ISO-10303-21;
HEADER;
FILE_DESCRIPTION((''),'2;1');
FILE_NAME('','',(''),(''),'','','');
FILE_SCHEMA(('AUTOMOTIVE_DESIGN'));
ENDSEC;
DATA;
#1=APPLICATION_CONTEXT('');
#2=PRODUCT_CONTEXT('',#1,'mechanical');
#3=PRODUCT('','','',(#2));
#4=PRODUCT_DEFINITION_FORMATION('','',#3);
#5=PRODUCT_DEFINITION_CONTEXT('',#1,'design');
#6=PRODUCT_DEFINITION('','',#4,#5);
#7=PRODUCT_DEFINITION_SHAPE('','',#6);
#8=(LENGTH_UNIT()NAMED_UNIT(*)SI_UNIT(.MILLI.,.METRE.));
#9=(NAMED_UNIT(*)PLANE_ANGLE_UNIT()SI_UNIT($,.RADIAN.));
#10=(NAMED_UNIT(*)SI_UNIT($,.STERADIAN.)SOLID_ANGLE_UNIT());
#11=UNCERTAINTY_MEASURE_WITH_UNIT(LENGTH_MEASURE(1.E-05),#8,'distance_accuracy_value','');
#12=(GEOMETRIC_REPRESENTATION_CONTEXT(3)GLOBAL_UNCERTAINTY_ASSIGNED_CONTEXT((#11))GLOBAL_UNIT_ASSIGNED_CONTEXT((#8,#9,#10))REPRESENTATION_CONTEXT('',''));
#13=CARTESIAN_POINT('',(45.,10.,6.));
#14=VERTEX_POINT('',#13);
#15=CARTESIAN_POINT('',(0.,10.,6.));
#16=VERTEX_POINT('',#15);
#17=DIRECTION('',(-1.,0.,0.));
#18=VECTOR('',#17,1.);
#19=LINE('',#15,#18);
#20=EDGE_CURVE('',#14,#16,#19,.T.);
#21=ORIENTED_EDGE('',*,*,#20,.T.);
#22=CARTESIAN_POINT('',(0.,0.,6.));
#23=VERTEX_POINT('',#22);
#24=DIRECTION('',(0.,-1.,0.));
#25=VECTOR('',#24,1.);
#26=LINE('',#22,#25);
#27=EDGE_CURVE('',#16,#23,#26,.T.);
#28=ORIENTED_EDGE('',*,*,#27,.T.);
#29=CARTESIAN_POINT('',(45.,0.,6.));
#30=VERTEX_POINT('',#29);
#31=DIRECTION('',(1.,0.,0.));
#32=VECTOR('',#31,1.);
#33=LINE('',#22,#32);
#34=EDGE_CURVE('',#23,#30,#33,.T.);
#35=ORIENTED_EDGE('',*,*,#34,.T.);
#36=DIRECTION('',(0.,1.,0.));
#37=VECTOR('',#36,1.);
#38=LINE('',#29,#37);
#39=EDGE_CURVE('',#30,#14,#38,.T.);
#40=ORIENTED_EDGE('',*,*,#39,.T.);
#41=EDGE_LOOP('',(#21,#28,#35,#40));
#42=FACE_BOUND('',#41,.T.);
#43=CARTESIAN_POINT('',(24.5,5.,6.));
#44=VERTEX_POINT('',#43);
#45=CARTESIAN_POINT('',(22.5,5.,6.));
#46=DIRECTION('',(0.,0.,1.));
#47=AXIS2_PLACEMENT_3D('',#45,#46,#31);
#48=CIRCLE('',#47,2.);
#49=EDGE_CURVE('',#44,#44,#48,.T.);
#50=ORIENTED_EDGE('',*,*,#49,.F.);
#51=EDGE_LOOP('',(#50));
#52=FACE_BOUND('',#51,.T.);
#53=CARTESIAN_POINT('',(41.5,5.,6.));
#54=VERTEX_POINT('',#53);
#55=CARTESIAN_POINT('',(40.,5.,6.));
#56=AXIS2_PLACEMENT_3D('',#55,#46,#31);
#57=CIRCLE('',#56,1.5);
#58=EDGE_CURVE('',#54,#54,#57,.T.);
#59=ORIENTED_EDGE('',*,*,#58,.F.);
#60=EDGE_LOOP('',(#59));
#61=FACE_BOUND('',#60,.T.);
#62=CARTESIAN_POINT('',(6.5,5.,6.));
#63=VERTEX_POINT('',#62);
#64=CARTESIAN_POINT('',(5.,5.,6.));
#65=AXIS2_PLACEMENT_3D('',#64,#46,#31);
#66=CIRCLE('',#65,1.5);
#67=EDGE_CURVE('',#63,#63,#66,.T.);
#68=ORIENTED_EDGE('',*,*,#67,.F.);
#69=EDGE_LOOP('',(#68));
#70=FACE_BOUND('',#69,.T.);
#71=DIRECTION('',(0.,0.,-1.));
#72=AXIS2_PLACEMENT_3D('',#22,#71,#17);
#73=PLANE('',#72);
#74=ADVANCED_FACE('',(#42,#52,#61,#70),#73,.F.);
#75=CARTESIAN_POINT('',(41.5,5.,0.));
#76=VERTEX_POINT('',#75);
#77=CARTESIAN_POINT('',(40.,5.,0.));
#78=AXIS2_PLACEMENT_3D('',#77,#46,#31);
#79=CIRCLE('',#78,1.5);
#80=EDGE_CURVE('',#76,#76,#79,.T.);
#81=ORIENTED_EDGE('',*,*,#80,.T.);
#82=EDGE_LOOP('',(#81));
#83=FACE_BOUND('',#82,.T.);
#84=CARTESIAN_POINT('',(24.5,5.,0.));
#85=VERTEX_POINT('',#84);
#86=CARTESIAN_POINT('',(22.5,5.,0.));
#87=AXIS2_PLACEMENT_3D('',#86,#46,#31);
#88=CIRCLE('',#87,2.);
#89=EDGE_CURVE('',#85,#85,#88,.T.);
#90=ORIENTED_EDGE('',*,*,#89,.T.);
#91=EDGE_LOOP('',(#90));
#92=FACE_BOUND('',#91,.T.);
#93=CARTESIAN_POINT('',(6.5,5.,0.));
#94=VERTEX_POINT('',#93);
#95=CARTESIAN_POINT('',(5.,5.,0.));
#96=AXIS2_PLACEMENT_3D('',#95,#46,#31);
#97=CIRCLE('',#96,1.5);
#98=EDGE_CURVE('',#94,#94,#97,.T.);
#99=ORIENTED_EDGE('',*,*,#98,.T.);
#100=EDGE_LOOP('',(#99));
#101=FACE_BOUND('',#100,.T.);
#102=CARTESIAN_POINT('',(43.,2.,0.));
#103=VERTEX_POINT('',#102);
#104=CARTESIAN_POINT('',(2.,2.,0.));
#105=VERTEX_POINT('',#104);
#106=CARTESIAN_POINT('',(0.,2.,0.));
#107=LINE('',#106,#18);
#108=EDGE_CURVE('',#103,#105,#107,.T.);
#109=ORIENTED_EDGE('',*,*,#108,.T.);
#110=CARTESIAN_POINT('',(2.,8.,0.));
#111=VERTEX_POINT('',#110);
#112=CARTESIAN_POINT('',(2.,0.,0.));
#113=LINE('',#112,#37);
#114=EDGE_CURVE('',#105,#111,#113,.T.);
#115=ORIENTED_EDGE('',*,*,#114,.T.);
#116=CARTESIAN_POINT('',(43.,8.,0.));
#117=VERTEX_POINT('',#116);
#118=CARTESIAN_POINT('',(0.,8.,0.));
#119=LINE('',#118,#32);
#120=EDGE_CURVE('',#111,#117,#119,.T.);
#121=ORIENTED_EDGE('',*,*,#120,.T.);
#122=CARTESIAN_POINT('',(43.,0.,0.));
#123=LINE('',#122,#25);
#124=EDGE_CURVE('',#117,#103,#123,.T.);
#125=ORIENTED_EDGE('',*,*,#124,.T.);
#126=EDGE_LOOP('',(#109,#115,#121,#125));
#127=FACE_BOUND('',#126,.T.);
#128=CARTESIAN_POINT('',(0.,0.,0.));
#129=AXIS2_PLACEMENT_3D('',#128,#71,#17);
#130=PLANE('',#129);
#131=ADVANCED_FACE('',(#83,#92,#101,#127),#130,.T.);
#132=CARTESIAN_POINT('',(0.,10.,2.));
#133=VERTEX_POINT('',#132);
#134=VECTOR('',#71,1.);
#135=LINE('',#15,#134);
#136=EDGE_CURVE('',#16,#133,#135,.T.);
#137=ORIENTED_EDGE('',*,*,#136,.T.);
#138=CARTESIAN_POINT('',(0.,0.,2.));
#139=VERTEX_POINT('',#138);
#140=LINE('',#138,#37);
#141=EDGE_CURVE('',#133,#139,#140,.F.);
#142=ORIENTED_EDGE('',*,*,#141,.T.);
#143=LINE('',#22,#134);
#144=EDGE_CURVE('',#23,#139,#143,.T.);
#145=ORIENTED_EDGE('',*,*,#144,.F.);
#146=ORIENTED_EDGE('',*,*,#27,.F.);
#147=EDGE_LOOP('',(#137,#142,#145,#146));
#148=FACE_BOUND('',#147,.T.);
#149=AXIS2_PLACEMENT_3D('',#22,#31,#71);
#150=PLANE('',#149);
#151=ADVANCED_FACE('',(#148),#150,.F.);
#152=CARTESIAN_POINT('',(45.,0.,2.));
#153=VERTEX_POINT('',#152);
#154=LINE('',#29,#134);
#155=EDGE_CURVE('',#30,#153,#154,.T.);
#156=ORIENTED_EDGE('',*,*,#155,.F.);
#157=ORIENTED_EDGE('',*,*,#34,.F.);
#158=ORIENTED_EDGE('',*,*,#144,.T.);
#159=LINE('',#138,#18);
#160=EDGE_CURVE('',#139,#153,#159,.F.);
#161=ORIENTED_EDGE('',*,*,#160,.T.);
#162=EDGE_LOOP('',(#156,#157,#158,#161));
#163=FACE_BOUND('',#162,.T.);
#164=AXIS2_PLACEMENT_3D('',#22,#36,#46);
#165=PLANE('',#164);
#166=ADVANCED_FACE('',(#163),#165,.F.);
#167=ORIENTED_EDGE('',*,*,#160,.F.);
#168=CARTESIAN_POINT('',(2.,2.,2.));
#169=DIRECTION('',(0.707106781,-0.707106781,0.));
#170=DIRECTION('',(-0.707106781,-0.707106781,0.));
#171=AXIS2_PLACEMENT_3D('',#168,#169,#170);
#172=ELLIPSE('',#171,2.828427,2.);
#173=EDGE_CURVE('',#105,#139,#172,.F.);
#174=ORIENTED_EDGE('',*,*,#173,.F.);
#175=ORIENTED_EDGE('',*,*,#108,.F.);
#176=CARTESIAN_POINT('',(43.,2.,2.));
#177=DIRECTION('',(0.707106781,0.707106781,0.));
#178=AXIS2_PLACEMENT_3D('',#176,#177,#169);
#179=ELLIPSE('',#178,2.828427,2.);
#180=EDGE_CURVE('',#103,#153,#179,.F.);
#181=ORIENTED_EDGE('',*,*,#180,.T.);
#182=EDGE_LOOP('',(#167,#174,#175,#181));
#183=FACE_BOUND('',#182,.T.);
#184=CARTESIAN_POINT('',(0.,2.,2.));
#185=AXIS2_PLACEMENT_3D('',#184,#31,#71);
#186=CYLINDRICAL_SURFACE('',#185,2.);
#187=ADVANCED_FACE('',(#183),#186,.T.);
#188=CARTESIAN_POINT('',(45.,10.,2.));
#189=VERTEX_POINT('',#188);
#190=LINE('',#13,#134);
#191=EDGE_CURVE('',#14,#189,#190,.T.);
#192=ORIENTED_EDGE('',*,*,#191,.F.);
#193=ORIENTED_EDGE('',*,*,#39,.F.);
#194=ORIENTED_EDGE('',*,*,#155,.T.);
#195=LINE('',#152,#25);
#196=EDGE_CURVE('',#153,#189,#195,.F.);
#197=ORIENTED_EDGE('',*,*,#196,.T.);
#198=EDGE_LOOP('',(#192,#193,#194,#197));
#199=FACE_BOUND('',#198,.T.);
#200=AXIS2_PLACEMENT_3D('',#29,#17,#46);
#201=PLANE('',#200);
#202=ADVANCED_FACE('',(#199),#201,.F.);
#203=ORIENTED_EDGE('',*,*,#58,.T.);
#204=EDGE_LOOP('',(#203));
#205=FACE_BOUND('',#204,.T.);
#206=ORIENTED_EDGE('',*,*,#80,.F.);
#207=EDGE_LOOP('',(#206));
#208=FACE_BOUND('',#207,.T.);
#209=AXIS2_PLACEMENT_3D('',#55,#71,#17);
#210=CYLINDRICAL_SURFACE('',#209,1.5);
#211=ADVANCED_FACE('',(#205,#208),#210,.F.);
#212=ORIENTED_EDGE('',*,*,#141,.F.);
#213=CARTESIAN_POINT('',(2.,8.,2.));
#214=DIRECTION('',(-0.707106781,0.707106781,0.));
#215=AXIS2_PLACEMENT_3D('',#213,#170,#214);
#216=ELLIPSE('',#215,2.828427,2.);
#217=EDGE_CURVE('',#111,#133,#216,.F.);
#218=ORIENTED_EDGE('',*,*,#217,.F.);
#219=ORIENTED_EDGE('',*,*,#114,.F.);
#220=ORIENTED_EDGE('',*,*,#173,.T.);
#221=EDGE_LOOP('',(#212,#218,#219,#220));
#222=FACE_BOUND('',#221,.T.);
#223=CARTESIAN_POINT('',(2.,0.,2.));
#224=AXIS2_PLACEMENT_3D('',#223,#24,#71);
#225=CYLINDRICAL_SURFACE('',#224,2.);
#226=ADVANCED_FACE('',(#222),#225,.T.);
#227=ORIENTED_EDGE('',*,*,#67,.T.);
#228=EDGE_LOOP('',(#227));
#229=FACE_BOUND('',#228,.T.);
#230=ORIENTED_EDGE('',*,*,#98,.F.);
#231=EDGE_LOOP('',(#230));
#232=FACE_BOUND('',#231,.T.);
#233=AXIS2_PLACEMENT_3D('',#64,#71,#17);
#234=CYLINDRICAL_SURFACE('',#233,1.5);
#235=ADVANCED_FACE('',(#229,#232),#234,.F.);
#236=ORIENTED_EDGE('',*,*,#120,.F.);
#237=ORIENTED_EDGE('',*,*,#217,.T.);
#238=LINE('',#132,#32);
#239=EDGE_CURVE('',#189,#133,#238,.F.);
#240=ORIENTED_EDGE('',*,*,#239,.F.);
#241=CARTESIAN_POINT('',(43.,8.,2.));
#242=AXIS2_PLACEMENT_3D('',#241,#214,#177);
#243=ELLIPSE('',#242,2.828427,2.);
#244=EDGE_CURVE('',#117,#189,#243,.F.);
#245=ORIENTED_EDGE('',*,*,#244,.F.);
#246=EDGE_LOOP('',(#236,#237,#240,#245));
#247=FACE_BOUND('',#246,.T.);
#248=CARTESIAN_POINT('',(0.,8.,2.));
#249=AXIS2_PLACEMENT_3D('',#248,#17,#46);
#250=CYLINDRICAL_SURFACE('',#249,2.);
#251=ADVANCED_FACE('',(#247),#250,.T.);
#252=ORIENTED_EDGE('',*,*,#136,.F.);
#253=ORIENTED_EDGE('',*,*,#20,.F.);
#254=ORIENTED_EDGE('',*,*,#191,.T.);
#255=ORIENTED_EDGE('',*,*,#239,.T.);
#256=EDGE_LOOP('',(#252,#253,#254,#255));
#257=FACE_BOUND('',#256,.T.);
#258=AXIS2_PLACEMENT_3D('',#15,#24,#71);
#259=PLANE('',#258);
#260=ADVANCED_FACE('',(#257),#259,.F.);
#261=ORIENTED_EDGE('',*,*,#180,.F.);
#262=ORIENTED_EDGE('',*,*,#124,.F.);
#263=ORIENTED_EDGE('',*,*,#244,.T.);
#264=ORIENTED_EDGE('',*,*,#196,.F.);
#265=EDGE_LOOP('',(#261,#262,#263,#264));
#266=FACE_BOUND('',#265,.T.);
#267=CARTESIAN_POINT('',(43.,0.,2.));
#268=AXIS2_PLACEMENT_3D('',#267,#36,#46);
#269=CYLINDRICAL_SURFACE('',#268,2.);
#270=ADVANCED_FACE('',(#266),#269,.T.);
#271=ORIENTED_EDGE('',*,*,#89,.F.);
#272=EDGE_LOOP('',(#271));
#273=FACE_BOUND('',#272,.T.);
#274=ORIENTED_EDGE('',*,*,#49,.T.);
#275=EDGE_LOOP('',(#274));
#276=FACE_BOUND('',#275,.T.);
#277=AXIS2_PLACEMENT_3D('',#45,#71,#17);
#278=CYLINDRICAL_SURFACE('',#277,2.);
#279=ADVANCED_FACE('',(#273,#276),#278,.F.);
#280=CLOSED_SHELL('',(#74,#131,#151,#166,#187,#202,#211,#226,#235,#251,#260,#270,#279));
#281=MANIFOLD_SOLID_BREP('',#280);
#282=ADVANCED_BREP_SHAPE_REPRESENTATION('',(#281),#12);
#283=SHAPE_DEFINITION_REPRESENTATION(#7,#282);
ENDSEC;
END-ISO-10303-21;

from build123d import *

# Parameters (mm, degrees)
ESQUISSE1_W        = 45
ESQUISSE1_H        = 10
ESQUISSE1_R        = 1.5
ESQUISSE1_R_2      = 2
BOSS_EXTRU_1_DEPTH = 6
CONG_1_R           = 2


with BuildPart() as part:
    # Esquisse1 → Boss.-Extru.1 (new body)
    with BuildSketch(Plane.XY):
        with Locations((22.5, 5)):
            Rectangle(ESQUISSE1_W, ESQUISSE1_H)
        with Locations((5, 5)):
            Circle(ESQUISSE1_R, mode=Mode.SUBTRACT)
        with Locations((22.5, 5)):
            Circle(ESQUISSE1_R_2, mode=Mode.SUBTRACT)
        with Locations((40, 5)):
            Circle(ESQUISSE1_R, mode=Mode.SUBTRACT)
    extrude(amount=BOSS_EXTRU_1_DEPTH)

    # Congé1
    cong_1_edges = [part.edges().sort_by_distance(p)[0] for p in [
        (22.5, 10, 0),
        (45, 5, 0),
        (22.5, 0, 0),
        (0, 5, 0),
    ]]
    fillet(cong_1_edges, radius=CONG_1_R)


solid = part.part
